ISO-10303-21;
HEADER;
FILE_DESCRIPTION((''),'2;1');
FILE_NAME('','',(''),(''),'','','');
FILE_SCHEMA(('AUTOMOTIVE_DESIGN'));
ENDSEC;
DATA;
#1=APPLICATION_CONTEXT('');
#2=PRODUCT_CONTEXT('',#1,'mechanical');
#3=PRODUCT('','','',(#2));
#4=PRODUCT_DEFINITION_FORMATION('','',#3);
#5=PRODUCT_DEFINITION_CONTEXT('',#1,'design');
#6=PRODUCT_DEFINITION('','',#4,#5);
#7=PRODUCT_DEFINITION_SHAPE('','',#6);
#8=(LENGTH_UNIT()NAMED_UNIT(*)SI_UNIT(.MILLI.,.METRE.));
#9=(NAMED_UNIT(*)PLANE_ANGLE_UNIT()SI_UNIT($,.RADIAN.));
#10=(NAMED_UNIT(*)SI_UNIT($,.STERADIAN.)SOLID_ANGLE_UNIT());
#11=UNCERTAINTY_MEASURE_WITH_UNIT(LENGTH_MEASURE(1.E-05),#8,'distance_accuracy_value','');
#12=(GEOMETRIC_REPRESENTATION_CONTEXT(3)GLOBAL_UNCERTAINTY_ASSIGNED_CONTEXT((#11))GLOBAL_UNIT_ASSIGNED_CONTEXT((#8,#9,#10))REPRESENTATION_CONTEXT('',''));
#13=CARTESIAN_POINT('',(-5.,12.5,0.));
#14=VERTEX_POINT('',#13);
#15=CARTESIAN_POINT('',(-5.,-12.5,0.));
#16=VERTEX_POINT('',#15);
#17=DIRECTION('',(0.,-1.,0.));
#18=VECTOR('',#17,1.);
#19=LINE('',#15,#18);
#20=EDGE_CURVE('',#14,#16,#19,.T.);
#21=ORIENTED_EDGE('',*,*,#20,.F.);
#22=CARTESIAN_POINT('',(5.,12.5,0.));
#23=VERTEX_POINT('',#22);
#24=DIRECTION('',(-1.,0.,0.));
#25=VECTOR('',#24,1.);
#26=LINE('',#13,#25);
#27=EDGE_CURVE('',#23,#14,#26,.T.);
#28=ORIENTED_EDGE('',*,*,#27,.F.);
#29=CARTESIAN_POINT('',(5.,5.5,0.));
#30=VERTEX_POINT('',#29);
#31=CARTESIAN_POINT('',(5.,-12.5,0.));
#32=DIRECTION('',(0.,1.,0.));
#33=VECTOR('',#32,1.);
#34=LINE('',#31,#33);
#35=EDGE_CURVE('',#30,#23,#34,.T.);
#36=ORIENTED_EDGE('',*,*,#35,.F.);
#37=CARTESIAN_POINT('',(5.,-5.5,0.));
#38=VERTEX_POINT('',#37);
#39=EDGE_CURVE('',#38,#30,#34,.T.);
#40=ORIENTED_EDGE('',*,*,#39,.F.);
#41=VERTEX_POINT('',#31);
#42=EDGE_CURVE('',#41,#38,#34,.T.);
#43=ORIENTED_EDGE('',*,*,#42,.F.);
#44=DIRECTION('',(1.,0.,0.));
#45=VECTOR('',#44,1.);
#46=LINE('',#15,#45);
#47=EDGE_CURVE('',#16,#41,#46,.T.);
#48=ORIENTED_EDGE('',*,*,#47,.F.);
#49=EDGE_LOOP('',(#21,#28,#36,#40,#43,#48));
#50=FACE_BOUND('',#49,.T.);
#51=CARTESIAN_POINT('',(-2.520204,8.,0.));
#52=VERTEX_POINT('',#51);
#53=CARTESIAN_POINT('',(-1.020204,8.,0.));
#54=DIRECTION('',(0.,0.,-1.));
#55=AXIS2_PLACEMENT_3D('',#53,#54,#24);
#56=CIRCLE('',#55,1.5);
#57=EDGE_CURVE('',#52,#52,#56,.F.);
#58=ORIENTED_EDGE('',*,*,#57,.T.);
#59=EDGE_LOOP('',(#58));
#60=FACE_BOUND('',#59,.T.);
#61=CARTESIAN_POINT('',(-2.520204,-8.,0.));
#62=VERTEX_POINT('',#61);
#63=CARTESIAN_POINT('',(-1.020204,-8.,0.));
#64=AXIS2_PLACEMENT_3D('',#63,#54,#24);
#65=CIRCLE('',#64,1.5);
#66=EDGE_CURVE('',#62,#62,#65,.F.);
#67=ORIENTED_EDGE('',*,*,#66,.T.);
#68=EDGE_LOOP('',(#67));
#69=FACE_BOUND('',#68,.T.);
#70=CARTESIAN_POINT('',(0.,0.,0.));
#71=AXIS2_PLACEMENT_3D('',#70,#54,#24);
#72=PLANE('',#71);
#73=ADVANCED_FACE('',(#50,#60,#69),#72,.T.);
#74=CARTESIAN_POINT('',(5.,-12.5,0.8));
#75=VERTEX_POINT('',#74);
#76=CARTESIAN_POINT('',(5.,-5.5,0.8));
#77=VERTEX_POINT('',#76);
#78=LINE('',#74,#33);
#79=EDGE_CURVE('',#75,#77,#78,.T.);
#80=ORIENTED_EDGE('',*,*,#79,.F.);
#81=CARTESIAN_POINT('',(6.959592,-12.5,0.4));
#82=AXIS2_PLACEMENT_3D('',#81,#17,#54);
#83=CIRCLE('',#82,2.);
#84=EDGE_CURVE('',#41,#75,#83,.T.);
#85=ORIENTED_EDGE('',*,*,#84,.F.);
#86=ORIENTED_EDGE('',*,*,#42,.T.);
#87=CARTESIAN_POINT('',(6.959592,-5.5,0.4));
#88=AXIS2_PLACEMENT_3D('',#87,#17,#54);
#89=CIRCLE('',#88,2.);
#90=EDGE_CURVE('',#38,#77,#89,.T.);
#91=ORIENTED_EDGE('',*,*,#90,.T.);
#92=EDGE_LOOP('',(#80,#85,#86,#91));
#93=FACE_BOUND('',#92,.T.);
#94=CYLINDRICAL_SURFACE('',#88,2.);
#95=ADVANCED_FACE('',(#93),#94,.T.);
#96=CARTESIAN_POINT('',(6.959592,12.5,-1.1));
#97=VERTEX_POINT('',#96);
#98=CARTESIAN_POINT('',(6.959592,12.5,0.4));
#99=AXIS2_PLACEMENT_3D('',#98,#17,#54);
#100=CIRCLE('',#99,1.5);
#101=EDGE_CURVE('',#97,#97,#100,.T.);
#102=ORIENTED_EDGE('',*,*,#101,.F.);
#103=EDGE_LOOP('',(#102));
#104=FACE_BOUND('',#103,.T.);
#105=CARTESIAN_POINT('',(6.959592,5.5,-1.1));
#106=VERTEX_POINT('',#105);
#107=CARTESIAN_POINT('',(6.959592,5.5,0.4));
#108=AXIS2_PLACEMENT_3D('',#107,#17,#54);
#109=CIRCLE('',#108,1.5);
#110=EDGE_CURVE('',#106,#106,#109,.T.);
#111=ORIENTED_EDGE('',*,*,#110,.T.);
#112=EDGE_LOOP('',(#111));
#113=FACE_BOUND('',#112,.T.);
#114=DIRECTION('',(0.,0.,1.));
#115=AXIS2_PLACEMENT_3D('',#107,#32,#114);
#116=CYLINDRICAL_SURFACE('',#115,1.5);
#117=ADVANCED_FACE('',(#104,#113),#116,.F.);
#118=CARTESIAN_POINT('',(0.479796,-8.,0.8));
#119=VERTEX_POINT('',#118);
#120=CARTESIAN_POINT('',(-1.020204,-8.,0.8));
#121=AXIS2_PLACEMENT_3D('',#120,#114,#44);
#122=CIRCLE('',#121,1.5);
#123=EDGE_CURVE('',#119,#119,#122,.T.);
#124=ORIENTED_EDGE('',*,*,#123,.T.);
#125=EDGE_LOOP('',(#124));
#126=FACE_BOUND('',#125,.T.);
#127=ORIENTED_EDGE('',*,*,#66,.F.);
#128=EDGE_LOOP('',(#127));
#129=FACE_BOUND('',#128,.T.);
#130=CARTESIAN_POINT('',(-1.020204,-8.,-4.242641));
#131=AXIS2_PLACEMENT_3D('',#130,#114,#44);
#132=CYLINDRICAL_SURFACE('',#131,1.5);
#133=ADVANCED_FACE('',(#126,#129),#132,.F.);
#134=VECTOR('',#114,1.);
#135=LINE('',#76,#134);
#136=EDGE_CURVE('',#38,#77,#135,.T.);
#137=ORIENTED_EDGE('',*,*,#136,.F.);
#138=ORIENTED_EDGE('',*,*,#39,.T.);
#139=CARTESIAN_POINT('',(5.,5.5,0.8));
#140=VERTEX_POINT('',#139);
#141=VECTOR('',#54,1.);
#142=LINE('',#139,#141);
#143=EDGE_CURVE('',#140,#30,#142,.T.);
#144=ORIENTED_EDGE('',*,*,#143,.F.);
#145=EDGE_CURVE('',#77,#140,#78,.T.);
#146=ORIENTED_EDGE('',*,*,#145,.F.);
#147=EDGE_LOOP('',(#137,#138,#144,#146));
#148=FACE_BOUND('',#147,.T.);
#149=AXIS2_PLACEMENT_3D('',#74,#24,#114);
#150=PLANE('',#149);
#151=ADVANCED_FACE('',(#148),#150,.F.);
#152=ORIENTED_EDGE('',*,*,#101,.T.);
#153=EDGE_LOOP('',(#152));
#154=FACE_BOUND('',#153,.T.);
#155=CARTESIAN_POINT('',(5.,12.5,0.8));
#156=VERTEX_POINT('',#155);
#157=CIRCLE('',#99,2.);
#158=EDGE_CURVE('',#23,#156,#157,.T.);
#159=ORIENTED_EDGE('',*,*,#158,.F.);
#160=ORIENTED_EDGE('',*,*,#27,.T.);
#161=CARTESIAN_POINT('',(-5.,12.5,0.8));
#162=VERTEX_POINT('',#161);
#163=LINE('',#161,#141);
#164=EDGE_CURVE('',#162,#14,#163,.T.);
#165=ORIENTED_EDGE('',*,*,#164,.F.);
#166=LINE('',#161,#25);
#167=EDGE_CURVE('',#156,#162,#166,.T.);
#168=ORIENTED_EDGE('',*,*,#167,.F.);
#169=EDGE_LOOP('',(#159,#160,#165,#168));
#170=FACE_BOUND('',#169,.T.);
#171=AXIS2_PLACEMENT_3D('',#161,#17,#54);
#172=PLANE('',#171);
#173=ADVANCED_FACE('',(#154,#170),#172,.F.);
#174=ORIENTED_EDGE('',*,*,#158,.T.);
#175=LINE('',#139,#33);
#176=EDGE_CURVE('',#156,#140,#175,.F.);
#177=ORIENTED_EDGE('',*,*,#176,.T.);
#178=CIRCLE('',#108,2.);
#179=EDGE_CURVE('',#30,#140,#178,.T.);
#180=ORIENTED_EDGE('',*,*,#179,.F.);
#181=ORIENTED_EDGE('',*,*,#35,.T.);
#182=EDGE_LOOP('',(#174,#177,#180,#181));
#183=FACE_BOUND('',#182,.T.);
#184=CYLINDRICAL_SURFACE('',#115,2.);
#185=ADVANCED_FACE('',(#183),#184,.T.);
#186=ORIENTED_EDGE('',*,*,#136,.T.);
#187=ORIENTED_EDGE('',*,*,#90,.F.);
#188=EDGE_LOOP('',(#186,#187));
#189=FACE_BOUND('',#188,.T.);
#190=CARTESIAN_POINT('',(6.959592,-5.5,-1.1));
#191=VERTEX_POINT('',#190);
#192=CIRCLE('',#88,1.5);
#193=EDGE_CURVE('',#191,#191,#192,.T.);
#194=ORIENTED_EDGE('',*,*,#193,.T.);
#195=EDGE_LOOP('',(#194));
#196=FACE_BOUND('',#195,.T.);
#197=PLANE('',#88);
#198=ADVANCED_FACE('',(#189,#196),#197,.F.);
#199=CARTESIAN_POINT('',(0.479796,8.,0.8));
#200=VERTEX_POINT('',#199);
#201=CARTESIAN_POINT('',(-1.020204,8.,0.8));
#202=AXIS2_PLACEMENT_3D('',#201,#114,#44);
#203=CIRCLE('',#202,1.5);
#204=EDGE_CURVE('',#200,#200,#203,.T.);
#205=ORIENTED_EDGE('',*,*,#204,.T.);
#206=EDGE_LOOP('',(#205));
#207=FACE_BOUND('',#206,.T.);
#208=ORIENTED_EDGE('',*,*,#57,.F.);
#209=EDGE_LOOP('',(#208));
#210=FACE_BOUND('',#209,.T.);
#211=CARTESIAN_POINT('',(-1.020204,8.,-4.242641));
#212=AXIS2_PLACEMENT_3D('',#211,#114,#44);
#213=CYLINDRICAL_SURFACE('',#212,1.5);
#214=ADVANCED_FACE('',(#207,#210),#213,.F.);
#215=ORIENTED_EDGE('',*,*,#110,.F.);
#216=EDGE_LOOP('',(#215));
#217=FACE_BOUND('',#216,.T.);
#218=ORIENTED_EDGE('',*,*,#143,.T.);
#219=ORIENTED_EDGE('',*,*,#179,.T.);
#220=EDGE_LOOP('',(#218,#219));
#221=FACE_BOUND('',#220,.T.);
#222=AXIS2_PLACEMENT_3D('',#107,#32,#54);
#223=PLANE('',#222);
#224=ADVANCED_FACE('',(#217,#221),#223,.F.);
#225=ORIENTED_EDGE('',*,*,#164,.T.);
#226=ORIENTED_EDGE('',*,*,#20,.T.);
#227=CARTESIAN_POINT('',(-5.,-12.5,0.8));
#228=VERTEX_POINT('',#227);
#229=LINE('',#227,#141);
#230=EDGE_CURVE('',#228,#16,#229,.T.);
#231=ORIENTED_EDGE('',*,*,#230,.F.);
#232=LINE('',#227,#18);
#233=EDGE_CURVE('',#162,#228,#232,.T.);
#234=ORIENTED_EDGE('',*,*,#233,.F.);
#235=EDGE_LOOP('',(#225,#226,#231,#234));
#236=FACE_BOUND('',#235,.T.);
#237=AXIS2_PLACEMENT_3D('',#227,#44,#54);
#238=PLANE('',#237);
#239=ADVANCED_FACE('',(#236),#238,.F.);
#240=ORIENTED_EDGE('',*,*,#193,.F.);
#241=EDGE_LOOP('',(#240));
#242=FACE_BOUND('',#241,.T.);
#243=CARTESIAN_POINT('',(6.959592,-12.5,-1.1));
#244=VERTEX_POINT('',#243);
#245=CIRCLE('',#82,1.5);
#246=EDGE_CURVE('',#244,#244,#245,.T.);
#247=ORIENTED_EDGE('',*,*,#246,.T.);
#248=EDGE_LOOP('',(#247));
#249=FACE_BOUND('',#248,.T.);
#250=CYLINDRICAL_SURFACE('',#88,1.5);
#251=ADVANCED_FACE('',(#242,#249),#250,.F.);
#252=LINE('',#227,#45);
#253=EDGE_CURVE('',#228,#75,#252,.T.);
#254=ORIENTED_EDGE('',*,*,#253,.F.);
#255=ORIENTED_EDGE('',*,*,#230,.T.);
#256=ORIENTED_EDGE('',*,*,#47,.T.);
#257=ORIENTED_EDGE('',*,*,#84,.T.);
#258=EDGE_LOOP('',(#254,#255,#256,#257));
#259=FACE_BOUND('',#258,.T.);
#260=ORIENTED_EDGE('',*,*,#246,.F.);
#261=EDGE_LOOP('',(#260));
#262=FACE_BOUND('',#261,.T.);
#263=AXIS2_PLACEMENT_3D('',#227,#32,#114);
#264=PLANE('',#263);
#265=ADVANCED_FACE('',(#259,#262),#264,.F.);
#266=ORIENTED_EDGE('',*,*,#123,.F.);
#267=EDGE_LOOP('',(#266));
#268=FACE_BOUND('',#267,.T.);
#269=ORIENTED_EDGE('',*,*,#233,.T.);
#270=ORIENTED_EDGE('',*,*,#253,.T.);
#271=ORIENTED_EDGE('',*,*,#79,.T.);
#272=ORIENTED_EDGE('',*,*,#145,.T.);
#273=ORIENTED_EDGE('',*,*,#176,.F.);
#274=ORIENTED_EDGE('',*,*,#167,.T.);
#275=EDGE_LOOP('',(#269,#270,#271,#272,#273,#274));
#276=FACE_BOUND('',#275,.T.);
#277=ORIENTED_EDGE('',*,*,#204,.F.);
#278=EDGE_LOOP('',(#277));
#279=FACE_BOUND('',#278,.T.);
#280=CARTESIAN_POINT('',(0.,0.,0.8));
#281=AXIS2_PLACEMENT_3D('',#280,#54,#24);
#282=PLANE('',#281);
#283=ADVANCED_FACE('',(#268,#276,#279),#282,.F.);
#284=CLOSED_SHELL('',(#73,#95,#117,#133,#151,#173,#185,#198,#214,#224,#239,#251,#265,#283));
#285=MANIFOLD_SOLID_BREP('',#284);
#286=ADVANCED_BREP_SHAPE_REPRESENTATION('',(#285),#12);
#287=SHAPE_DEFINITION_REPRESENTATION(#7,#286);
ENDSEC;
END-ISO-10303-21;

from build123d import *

# Parameters (mm, degrees)
SKETCH_1_W          = 10
SKETCH_1_H          = 25
EXTRUDE_1_DEPTH     = 0.8
SKETCH_2_R          = 2
SKETCH_2_R_2        = 1.5
EXTRUDE_2_DEPTH     = 7
SKETCH_3_R          = 1.5
CUT_EXTRUDE_1_DEPTH = 0.8


with BuildPart() as part:
    # 草图1 → 凸台-拉伸1 (new body)
    with BuildSketch(Plane.XY):
        Rectangle(SKETCH_1_W, SKETCH_1_H)
    extrude(amount=EXTRUDE_1_DEPTH)

    # 草图2 → 凸台-拉伸2 (add)
    with BuildSketch(Plane.XZ.offset(12.5)):
        with Locations((6.959591794, 0.4)):
            Circle(SKETCH_2_R)
        with Locations(Location((6.959591794, 0.4, 0), (0, 0, 270))):
            Circle(SKETCH_2_R_2, mode=Mode.SUBTRACT)
    extrude_2 = extrude(amount=-EXTRUDE_2_DEPTH)

    # 镜向1: 凸台-拉伸2 across plane
    add(extrude_2.mirror(Plane.ZX))

    # 草图3 → 切除-拉伸1 (cut)
    with BuildSketch(Plane.XY.offset(0.8)):
        with Locations((-1.020204103, 8)):
            Circle(SKETCH_3_R)
        with Locations((-1.020204103, -8)):
            Circle(SKETCH_3_R)
    extrude(amount=-CUT_EXTRUDE_1_DEPTH, mode=Mode.SUBTRACT)


solid = part.part
